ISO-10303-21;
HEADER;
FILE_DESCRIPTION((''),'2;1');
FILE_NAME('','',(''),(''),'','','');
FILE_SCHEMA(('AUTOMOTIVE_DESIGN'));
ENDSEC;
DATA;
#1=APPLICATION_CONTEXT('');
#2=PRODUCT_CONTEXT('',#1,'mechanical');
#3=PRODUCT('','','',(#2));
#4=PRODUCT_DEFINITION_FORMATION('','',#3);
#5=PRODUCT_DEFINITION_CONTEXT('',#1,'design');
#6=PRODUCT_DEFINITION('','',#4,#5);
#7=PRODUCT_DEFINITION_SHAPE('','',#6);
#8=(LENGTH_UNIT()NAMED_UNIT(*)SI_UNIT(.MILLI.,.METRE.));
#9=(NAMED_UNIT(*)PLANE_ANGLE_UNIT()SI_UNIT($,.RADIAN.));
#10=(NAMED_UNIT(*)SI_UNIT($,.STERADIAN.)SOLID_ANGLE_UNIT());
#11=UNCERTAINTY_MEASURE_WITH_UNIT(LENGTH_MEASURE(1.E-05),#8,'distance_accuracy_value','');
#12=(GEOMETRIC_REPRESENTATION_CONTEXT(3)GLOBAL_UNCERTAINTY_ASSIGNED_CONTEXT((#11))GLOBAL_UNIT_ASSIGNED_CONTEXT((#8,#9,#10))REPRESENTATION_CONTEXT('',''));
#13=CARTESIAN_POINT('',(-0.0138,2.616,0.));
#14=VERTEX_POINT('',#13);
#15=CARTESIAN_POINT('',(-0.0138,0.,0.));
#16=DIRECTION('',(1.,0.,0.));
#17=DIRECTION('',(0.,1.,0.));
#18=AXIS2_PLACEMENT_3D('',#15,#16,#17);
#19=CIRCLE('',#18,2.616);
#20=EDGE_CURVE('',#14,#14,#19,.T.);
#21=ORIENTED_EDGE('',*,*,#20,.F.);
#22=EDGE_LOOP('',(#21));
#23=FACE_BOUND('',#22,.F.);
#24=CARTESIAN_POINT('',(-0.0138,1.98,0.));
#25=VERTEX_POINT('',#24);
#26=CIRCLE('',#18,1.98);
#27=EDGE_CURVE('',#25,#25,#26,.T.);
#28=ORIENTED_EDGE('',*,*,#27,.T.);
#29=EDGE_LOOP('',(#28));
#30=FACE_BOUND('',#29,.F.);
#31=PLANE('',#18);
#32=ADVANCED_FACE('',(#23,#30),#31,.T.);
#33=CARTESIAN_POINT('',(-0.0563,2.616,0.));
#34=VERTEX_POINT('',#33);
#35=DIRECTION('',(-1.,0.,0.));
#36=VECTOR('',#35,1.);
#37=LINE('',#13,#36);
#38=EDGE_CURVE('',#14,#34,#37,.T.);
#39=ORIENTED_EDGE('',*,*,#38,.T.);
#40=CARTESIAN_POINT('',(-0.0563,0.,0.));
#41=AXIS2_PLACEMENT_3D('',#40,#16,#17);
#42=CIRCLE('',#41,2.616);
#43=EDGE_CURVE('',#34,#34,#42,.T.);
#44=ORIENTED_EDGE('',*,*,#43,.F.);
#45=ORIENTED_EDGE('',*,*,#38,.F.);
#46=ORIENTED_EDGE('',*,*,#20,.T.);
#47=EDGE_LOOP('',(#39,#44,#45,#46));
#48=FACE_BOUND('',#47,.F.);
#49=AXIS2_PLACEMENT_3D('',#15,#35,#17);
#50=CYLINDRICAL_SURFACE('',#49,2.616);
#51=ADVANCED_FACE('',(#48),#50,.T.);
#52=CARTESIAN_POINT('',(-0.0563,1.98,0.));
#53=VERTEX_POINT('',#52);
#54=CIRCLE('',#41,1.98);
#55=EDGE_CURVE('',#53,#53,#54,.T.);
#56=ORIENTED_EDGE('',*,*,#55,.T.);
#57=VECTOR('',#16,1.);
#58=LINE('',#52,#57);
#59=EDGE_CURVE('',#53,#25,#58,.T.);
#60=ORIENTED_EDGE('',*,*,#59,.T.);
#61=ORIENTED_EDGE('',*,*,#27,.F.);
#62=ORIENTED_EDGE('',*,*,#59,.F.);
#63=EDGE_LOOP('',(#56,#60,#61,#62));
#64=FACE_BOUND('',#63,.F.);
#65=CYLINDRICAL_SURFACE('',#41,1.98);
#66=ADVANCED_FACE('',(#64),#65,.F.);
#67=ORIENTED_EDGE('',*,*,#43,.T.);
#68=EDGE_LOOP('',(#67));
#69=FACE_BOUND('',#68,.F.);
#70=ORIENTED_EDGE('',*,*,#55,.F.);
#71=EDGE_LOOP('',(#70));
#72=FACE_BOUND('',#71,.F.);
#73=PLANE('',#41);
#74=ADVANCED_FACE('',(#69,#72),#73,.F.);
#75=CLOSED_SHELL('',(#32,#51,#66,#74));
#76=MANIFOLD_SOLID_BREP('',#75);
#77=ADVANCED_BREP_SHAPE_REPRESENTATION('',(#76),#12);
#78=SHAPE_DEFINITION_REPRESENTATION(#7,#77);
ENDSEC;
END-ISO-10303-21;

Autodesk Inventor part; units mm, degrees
sketch "Sketch_1" plane through (0, 0, 0) normal (0, 0, 1) x (1, 0, 0)
  line L0 (-0.0138, 0) -> (-0.0563, 0)
  line L1 (-0.0563, 2.616) -> (-0.0563, 1.98)
  line L2 (-0.0563, 1.98) -> (-0.0138, 1.98)
  line L3 (-0.0138, 1.98) -> (-0.0138, 2.616)
  line L4 (-0.0138, 2.616) -> (-0.0563, 2.616)
revolve "Revolution1" add sketch "Sketch_1" angle 360 about axis through (-0.0138, 0, 0) along (1, 0, 0)
ref_plane "mss_s_XY" through (0, 0, 0) normal (1, 0, 0) x (0, 0, -1)
ref_plane "mss_s_YZ" through (0, 0, 0) normal (0, 0, -1) x (0, 1, 0)
ref_plane "mss_s_ZX" through (0, 0, 0) normal (0, 1, 0) x (1, 0, 0)
properties part number "WA673SA Shield"
